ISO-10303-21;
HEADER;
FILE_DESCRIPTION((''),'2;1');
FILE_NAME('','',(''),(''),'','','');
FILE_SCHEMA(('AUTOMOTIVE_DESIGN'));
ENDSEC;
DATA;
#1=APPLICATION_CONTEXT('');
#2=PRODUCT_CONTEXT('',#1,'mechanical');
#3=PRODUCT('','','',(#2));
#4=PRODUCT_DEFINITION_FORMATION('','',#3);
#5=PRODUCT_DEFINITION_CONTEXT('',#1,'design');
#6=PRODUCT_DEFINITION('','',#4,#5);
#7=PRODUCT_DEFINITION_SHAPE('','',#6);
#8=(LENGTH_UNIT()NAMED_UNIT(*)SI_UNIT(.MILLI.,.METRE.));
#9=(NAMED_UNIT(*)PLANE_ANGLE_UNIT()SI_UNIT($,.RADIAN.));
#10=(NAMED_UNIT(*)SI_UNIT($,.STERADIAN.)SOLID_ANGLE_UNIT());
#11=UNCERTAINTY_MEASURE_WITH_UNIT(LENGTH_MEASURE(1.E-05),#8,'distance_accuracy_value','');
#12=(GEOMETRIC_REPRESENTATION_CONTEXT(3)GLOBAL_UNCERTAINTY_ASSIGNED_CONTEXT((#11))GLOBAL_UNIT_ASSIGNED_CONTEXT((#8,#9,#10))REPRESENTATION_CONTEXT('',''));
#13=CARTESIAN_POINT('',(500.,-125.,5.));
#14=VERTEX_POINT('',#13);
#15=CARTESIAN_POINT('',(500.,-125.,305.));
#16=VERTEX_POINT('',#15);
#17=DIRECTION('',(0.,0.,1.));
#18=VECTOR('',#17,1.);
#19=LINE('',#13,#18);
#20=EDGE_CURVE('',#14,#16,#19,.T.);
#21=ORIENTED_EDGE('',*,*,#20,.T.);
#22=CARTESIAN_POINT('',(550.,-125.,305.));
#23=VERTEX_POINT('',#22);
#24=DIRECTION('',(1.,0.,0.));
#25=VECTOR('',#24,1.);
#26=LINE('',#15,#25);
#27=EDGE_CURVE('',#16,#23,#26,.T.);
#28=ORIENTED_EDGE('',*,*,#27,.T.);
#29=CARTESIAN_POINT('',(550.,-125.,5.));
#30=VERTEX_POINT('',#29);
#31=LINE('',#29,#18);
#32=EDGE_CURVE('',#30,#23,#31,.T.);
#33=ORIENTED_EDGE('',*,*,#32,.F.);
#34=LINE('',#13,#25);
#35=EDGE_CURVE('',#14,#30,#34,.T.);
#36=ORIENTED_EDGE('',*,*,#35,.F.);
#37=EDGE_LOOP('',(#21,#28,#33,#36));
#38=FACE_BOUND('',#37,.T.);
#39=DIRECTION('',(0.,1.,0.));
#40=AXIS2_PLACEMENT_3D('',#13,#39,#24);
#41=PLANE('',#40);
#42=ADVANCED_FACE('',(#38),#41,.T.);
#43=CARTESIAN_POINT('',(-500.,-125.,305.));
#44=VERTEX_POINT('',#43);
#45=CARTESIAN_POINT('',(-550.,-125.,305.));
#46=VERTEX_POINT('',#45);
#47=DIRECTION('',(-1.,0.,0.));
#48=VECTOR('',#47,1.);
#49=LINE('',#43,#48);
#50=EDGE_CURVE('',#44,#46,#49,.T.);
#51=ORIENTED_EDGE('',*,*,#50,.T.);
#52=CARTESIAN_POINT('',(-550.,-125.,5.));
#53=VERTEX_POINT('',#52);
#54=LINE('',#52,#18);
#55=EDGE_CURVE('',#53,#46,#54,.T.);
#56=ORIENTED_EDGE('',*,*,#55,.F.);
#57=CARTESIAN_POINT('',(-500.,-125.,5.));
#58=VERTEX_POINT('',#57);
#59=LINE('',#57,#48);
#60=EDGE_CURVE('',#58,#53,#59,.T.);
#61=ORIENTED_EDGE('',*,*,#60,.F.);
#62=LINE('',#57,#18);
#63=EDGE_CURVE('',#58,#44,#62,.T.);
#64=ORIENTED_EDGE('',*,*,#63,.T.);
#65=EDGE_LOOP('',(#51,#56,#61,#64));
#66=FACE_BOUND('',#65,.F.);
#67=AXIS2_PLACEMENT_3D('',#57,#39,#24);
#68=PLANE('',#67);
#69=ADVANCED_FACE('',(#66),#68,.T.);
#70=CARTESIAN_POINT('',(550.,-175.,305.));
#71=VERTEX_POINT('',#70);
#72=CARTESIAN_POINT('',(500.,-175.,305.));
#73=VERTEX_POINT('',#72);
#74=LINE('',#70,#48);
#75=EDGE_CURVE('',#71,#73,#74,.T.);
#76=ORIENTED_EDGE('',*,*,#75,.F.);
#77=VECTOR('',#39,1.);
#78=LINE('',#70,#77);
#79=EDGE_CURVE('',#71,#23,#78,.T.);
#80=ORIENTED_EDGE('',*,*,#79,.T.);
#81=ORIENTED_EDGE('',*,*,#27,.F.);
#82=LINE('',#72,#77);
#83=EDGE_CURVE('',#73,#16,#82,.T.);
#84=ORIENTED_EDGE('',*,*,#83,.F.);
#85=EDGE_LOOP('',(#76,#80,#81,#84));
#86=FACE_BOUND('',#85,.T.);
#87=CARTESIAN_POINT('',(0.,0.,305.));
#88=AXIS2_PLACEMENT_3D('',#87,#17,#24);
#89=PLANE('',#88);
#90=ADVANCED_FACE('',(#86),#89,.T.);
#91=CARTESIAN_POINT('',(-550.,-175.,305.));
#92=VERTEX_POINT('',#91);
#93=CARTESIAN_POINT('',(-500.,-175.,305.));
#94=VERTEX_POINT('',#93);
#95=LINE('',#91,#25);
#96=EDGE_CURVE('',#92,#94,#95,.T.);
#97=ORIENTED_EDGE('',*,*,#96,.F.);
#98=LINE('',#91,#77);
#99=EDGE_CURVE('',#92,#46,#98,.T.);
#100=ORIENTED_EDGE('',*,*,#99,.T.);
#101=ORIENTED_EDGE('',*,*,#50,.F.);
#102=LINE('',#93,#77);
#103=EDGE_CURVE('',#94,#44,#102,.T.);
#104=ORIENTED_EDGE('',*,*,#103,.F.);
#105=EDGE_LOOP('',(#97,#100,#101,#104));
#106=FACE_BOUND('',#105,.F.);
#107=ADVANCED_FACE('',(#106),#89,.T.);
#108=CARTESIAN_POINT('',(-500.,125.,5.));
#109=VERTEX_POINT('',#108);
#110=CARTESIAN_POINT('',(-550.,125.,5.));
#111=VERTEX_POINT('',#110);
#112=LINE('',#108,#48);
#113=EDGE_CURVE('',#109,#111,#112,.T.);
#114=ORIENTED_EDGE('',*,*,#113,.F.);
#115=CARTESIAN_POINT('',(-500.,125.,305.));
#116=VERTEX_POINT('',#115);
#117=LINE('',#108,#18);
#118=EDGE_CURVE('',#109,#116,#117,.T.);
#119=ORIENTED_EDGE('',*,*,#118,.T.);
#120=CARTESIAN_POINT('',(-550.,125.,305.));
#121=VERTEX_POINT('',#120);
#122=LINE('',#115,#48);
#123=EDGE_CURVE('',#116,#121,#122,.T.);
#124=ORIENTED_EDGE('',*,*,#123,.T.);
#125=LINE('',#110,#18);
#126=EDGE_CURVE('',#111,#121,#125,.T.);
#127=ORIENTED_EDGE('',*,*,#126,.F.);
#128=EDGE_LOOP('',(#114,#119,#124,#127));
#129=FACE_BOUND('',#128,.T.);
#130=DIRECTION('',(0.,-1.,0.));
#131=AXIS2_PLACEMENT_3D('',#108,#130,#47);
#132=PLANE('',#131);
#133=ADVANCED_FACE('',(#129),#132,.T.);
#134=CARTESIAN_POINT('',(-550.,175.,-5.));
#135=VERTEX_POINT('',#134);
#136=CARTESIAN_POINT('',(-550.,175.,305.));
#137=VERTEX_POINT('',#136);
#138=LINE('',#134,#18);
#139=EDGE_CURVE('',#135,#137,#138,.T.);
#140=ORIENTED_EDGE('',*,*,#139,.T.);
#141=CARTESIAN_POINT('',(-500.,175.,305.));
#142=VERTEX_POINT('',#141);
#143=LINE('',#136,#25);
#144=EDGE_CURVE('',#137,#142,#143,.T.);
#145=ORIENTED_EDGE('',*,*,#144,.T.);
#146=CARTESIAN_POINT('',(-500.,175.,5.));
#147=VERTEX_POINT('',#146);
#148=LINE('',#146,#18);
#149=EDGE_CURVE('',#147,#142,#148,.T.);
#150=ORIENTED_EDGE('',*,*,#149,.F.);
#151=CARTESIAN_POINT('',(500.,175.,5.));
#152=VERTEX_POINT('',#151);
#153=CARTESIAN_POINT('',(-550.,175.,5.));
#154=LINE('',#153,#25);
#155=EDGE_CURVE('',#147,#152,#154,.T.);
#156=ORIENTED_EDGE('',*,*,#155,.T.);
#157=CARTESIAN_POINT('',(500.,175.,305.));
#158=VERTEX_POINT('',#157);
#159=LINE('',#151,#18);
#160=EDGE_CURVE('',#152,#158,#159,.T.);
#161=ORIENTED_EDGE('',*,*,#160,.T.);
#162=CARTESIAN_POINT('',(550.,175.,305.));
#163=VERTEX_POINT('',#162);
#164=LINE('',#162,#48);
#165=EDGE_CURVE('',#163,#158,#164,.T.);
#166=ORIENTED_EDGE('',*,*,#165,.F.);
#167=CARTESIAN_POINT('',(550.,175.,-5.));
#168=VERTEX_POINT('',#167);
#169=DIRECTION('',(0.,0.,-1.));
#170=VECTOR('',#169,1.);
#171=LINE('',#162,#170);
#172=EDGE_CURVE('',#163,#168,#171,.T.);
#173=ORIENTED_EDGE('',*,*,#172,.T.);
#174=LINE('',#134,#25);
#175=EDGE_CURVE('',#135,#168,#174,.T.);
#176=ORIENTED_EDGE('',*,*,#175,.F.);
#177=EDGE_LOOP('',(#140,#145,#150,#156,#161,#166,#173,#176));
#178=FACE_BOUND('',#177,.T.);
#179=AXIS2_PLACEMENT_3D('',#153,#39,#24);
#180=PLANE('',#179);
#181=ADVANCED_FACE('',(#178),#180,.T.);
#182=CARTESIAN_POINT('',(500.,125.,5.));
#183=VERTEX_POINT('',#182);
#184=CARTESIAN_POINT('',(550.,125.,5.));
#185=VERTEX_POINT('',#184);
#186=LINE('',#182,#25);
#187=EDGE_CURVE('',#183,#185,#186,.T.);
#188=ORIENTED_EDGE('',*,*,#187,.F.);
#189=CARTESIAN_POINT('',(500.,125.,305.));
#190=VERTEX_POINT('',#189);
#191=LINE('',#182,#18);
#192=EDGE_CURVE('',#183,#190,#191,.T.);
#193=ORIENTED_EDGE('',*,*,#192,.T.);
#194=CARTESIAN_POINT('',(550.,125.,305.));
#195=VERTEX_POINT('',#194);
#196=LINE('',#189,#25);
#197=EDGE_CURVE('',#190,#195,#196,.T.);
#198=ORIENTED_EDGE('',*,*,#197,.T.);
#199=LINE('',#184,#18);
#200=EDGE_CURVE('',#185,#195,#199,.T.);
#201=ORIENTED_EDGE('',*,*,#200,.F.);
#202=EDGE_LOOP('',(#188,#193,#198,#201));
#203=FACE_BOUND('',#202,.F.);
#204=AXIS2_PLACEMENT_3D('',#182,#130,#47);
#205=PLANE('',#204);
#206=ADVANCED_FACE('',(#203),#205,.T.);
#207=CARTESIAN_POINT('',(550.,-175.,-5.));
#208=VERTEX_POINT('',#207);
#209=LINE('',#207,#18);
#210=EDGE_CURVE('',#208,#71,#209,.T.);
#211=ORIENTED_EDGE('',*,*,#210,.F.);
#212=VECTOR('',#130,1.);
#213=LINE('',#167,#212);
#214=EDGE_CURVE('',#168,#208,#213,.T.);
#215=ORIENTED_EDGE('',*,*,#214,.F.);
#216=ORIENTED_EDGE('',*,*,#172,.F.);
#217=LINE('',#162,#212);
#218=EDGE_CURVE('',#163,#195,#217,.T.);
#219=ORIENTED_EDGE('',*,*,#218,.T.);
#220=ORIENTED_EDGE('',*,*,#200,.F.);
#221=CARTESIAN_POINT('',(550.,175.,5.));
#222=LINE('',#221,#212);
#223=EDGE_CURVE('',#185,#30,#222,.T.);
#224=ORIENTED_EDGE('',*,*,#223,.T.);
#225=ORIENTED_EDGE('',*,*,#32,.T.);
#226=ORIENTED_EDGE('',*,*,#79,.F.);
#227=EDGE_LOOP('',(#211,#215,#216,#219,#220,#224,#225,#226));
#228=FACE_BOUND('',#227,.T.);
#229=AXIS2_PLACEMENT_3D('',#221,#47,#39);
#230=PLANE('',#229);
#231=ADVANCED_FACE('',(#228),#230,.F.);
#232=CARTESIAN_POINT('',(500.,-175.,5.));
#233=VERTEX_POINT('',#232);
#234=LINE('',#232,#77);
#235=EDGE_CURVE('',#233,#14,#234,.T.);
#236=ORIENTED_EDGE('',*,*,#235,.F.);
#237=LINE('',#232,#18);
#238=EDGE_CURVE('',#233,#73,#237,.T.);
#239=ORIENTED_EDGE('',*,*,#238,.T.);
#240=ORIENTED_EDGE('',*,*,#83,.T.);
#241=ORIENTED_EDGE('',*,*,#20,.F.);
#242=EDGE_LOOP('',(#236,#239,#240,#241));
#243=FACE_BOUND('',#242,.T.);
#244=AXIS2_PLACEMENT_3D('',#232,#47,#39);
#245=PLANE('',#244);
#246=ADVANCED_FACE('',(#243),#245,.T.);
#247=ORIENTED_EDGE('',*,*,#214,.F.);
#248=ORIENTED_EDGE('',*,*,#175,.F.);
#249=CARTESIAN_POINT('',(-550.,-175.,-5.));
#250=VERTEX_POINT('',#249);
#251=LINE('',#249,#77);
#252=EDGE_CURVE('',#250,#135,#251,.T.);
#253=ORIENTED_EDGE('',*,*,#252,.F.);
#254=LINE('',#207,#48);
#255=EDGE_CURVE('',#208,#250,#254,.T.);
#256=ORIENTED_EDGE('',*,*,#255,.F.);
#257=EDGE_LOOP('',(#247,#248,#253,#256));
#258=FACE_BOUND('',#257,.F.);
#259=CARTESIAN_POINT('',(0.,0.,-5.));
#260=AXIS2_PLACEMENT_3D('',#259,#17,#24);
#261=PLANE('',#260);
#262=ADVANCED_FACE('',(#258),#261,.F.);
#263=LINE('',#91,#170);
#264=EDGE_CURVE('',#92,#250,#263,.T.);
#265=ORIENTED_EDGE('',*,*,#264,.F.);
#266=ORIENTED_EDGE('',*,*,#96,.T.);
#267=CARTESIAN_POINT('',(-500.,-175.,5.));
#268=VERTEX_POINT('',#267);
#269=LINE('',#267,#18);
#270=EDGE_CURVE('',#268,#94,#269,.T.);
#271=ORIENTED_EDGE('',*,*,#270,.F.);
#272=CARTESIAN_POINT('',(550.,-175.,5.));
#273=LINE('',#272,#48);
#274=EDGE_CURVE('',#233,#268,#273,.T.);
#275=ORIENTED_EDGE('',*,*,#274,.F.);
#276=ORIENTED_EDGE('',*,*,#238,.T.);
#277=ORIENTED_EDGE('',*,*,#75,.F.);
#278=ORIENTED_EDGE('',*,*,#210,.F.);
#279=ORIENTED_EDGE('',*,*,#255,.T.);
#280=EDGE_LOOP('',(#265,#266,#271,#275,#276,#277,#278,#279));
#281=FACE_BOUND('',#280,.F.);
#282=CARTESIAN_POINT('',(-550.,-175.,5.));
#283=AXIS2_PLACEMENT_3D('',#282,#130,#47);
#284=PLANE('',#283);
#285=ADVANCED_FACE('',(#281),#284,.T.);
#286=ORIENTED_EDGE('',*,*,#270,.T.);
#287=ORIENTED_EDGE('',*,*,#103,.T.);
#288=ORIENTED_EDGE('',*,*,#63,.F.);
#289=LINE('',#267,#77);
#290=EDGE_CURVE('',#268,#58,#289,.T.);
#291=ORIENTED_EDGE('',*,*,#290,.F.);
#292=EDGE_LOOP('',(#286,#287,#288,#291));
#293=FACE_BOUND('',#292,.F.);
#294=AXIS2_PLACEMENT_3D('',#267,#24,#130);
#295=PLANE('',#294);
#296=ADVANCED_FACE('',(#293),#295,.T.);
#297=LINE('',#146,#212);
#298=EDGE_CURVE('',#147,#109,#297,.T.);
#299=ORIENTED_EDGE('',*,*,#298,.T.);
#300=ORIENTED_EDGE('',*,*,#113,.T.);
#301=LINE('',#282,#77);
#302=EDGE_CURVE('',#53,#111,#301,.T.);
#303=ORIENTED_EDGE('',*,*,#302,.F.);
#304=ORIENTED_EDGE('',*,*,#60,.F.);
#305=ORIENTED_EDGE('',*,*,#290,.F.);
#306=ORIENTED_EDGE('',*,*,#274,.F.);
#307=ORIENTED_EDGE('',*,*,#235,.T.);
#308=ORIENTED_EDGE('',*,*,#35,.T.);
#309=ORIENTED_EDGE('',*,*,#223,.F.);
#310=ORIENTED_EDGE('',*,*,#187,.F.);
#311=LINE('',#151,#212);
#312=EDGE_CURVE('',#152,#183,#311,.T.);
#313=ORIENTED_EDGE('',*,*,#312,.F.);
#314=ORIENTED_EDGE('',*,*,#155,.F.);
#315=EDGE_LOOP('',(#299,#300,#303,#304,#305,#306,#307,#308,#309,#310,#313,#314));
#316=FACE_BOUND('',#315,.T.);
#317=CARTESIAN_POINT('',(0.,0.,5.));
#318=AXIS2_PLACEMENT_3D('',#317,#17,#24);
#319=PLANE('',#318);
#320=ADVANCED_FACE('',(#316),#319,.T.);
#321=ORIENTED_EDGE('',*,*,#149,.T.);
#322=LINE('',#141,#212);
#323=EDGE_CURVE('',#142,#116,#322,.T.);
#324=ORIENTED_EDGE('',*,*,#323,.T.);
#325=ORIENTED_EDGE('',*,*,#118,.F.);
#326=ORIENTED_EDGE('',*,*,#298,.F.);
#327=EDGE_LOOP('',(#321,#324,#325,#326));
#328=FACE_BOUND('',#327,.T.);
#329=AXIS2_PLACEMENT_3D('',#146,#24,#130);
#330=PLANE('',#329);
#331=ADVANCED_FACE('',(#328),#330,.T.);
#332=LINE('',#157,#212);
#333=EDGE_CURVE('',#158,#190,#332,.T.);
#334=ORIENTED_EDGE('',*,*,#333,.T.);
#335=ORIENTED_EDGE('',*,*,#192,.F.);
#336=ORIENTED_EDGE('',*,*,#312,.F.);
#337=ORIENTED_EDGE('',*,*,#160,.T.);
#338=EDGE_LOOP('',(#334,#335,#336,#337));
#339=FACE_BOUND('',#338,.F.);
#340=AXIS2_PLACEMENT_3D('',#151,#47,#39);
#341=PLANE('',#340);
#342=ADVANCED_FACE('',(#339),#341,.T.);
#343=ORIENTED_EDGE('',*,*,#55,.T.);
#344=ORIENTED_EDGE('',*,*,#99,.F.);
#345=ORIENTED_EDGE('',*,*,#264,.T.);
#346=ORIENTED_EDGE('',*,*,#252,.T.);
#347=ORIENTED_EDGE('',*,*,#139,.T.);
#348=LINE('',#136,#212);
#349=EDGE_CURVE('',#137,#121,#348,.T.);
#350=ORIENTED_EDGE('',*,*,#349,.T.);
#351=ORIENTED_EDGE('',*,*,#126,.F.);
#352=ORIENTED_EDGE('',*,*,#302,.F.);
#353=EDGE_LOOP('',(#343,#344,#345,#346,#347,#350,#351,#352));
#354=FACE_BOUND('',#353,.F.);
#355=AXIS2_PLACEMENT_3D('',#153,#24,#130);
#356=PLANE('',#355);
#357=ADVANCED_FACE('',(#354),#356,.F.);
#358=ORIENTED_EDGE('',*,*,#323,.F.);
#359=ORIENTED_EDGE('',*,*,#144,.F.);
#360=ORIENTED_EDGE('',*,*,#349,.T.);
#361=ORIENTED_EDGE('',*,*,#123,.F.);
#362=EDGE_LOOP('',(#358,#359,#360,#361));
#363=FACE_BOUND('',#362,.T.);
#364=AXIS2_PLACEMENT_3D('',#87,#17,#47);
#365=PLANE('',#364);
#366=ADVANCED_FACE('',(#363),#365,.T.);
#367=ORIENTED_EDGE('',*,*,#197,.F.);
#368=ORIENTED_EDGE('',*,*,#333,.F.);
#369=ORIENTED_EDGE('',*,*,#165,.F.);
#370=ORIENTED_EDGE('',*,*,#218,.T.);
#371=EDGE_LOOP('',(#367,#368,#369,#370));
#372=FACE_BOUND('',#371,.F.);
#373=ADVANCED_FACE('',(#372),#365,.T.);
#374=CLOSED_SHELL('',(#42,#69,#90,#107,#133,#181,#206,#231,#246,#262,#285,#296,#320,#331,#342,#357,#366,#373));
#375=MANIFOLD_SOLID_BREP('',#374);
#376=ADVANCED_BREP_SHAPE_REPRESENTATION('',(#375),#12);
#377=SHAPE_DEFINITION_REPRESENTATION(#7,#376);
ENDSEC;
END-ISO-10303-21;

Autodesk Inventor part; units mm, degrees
ref_plane "YZ Plane" through (0, 0, 0) normal (1, 0, 0) x (0, 1, 0)
ref_plane "XZ Plane" through (0, 0, 0) normal (0, 1, 0) x (-1, 0, 0)
ref_plane "XY Plane" through (0, 0, 0) normal (0, 0, 1) x (1, 0, 0)
sketch "스케치1" plane through (0, 0, 0) normal (0, 0, 1) x (1, 0, 0)
  line L0 (-550, 175) -> (550, 175)
  line L1 (550, 175) -> (550, -175)
  line L2 (550, -175) -> (-550, -175)
  line L3 (-550, -175) -> (-550, 175)
  point P0 (0, 0)
  point P1 (550, 0)
  dimension "d0" = 1100
  dimension "d1" = 350
  dimension "d8" = 550
  dimension "d9" = 175
extrude "돌출1" add sketch "스케치1" along normal mid plane 10
sketch "스케치2" plane through (0, 0, 5) normal (0, 0, 1) x (1, 0, 0)
  line L0 (550, -175) -> (550, 175) projected
  line L1 (550, -175) -> (500, -175)
  line L2 (500, -175) -> (500, -125)
  line L3 (500, -125) -> (550, -125)
  line L4 (550, -125) -> (550, -175)
  point P0 (0, 0)
  dimension "d4" = 50
  dimension "d5" = 50
extrude "돌출2" add sketch "스케치2" along normal blind 300
sketch "스케치3" plane through (0, 0, 305) normal (0, 0, 1) x (1, 0, 0)
  point P0 (0, 0)
mirror "미러1" about plane through (0, 0, 0) normal (0, 1, 0) of "돌출2"
mirror "미러2" about plane through (0, 0, 0) normal (1, 0, 0) of "돌출2", "미러1"
equation "\"d8\" = 0.5 * d0"
equation "\"d9\" = 0.5 * d1"
properties part number "table"
